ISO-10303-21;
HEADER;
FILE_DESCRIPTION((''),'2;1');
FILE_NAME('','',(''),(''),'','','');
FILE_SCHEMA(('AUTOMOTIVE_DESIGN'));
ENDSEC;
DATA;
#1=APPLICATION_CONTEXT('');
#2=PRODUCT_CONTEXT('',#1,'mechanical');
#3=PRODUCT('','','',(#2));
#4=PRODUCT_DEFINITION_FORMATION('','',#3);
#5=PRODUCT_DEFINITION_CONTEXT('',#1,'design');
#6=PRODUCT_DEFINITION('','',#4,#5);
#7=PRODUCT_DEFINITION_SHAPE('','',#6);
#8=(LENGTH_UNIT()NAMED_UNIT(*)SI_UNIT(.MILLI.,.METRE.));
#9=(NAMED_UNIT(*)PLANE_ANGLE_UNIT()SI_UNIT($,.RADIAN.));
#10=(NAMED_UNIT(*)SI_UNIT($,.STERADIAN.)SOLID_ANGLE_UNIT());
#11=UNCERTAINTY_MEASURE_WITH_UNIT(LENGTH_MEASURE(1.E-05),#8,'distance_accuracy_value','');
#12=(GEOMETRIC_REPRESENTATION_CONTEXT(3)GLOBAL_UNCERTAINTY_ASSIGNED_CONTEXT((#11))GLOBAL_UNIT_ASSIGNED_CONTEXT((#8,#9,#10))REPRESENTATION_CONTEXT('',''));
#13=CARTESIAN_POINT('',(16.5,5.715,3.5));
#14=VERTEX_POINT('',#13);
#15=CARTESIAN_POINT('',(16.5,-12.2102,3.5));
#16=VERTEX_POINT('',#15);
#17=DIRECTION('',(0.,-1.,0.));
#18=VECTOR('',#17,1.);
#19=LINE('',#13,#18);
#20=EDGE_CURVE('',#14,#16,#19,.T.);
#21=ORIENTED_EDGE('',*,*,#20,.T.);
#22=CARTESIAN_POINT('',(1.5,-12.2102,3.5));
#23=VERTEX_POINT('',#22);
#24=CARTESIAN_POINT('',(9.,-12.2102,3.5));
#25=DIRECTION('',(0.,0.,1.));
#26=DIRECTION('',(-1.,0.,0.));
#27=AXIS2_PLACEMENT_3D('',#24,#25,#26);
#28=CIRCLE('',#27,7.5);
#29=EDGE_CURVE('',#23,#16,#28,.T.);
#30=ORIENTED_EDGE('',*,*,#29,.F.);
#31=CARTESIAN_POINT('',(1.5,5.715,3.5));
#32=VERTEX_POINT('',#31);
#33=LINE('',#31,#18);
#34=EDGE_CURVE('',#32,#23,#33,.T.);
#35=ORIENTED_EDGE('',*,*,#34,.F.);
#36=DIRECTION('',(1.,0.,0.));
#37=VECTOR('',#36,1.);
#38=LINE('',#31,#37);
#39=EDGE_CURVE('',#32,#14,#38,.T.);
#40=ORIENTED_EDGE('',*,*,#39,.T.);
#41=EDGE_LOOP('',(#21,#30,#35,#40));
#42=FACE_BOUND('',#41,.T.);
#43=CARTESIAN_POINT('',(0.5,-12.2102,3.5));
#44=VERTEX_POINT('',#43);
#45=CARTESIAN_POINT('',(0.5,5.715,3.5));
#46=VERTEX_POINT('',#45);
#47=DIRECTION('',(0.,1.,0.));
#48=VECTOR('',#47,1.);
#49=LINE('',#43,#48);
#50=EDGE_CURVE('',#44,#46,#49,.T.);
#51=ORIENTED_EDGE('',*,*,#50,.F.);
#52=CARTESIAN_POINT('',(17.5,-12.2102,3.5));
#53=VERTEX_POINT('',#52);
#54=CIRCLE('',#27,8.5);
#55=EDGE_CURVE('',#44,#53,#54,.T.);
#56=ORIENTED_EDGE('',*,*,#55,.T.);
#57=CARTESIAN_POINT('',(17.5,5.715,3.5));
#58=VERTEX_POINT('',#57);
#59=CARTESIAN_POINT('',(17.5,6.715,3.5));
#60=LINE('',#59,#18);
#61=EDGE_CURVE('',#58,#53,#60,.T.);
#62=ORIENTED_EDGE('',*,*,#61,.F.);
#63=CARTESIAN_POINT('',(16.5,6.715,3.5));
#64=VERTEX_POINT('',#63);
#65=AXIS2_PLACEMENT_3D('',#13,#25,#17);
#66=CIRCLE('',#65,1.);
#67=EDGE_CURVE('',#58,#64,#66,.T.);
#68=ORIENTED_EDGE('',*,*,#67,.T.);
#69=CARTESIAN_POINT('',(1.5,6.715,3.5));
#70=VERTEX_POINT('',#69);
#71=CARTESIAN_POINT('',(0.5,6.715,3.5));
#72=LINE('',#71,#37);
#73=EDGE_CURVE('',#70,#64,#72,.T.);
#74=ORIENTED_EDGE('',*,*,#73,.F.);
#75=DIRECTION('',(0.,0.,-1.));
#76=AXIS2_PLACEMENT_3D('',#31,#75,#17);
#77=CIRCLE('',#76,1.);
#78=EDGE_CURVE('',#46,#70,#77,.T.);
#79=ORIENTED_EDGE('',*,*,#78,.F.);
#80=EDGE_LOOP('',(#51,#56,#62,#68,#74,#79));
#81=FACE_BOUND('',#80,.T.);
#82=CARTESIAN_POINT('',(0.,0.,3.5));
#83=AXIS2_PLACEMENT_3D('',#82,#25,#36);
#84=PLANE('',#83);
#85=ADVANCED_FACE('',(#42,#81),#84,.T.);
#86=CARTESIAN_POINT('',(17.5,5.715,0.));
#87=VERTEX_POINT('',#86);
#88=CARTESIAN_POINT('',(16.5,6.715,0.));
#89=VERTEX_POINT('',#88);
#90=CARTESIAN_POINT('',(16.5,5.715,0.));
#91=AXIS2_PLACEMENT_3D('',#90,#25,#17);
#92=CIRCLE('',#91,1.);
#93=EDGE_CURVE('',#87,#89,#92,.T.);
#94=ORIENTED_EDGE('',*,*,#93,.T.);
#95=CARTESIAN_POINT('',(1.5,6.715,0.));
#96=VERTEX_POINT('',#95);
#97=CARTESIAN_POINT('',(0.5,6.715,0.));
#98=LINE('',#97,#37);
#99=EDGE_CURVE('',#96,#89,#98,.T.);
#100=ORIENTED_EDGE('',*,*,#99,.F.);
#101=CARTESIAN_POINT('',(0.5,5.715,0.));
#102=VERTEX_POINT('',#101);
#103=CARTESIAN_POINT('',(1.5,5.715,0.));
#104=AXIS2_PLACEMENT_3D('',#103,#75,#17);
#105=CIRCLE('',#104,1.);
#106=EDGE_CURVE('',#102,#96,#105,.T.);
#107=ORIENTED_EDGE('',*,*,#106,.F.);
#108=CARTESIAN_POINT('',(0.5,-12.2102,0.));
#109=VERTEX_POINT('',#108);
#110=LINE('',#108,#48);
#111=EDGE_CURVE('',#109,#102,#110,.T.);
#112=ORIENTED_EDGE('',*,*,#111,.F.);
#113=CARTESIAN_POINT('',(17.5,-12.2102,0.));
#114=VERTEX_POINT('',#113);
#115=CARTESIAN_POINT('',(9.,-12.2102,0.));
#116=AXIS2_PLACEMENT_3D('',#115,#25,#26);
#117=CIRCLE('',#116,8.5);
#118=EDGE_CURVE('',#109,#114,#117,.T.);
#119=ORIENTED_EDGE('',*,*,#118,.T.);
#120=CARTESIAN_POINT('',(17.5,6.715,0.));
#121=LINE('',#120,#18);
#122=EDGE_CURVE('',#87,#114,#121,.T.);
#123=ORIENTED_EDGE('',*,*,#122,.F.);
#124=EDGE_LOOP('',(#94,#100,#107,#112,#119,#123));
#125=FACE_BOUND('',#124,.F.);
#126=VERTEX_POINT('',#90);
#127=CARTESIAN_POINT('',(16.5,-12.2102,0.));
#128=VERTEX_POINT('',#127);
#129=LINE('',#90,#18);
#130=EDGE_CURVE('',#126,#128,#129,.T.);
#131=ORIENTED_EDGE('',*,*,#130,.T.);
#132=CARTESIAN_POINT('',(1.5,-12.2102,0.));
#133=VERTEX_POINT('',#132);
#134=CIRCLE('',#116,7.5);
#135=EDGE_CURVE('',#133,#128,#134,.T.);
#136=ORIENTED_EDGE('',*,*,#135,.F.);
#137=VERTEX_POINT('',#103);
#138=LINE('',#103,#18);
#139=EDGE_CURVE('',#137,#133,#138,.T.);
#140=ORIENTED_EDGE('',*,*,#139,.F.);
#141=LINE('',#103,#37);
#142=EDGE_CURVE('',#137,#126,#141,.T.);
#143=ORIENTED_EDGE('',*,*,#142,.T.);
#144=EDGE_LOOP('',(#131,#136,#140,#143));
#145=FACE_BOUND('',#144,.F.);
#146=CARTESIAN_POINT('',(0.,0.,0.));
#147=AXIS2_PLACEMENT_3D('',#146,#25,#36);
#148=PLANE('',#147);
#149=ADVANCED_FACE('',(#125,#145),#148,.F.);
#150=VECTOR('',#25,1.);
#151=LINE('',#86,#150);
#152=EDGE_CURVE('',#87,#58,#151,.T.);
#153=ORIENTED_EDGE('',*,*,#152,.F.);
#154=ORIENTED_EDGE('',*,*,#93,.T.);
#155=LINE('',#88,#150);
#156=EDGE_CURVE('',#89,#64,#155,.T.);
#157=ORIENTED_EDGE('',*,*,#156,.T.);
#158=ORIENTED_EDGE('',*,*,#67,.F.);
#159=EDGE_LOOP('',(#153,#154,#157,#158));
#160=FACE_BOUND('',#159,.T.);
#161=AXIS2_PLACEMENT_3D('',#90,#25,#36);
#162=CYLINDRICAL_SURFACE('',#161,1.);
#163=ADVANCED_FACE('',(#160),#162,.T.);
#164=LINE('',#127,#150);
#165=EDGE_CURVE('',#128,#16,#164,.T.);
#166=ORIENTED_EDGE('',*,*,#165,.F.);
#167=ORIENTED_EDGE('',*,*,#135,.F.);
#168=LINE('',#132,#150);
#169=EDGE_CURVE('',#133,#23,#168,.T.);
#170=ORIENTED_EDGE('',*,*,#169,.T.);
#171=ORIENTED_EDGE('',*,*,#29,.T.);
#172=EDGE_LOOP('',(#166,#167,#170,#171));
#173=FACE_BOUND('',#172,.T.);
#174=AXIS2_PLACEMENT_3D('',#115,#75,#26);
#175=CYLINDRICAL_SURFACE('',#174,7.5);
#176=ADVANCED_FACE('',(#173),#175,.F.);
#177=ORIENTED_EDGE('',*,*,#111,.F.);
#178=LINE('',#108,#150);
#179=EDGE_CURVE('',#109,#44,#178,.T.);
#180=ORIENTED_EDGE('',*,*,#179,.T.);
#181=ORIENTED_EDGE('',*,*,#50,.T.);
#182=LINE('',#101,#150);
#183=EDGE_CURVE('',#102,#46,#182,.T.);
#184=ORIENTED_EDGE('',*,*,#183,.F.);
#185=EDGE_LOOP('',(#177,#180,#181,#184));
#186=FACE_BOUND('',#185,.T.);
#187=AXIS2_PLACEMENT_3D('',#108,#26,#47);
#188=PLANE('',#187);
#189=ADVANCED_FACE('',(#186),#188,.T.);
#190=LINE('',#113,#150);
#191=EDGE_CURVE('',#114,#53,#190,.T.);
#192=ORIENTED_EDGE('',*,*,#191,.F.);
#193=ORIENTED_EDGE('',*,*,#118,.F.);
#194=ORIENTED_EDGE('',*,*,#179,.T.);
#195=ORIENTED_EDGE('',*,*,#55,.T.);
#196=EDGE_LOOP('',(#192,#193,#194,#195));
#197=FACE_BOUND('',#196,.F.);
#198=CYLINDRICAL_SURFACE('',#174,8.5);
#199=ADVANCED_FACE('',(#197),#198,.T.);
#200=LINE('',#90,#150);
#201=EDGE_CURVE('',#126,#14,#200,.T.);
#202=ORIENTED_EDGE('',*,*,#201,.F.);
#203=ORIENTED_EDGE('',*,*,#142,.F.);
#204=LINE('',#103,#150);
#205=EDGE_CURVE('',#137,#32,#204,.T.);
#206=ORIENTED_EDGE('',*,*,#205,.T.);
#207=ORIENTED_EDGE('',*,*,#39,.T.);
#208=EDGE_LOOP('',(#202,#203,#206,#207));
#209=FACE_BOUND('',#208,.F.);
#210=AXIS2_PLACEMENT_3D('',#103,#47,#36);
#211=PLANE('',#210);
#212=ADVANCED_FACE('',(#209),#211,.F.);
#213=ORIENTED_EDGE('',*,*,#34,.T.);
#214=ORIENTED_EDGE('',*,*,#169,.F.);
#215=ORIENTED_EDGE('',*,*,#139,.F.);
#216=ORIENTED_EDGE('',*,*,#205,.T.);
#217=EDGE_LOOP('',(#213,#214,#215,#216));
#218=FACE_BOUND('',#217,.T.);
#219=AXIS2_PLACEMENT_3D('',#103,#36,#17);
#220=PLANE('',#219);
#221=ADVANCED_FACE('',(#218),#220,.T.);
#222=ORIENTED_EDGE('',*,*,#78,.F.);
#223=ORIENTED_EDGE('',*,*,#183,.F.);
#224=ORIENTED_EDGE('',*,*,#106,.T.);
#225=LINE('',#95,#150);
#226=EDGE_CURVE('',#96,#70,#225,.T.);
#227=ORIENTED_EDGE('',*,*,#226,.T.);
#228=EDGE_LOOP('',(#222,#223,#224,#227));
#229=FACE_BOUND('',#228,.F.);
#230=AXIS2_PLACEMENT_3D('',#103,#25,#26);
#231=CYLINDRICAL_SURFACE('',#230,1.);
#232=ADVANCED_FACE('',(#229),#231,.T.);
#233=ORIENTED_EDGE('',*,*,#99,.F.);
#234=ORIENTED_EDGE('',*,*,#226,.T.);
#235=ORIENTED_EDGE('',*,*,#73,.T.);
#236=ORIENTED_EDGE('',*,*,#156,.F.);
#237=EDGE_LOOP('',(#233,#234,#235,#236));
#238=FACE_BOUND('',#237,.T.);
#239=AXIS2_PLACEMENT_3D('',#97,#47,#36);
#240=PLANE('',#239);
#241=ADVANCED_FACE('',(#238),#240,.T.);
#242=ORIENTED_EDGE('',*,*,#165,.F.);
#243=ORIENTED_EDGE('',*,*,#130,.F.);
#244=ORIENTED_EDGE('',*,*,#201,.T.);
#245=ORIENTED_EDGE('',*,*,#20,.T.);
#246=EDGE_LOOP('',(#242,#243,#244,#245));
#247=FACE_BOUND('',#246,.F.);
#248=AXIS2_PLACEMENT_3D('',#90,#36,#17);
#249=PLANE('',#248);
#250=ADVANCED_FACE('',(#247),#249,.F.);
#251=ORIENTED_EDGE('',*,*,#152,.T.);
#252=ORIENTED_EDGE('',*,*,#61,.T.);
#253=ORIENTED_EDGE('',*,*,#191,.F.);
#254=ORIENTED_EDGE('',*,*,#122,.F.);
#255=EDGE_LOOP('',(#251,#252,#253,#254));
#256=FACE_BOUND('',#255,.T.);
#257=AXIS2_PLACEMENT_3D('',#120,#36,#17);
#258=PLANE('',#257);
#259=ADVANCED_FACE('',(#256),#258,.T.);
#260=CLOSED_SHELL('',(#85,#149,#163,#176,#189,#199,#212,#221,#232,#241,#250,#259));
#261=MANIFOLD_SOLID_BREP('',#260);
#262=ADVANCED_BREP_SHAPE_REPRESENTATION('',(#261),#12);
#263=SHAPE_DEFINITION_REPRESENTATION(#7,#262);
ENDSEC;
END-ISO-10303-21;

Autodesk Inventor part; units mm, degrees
ref_plane "YZ Plane" through (0, 0, 0) normal (1, 0, 0) x (0, 1, 0)
ref_plane "XZ Plane" through (0, 0, 0) normal (0, 1, 0) x (-1, 0, 0)
ref_plane "XY Plane" through (0, 0, 0) normal (0, 0, 1) x (1, 0, 0)
sketch "Sketch1" plane through (0, 0, 0) normal (0, 0, 1) x (1, 0, 0)
  line L0 (1.5, 0) -> (0, 0) construction
  line L1 (1.5, 5.715) -> (1.5, 0) construction
  line L2 (0, 5.715) -> (1.5, 5.715) construction
  line L3 (0, 5.715) -> (0, 0) construction
  line L4 (1.5, -5.715) -> (0, -5.715) construction
  line L5 (1.5, 0) -> (1.5, -5.715) construction
  line L6 (0, 0) -> (1.5, 0) construction
  line L7 (0, 0) -> (0, -5.715) construction
  line L8 (18, -5.715) -> (16.5, -5.715) construction
  line L9 (18, 0) -> (18, -5.715) construction
  line L10 (16.5, 0) -> (18, 0) construction
  line L11 (16.5, 0) -> (16.5, -5.715) construction
  line L12 (18, 0) -> (16.5, 0) construction
  line L13 (18, 5.715) -> (18, 0) construction
  line L14 (16.5, 5.715) -> (18, 5.715) construction
  line L15 (16.5, 5.715) -> (16.5, 0) construction
  circle A0 centre (9, -12.2102) radius 7.5 construction
  line L16 (1.5, 5.715) -> (1.5, -12.2102)
  line L17 (16.5, 5.715) -> (16.5, -12.2102)
  arc A1 (1.5, -12.2102) -> (16.5, -12.2102) centre (9, -12.2102) ccw
  line L18 (1.5, 5.715) -> (16.5, 5.715)
  line L19 (17.5, 6.715) -> (17.5, -12.2102)
  arc A2 (0.5, -12.2102) -> (17.5, -12.2102) centre (9, -12.2102) ccw
  line L20 (0.5, -12.2102) -> (0.5, 6.715)
  line L21 (0.5, 6.715) -> (17.5, 6.715)
  dimension "d0" = 1
extrude "Extrusion1" add sketch "Sketch1" along normal blind 3.5
fillet "Fillet1" radius 1 2 edges at (0.5, 6.715, 1.75) (17.5, 6.715, 1.75)
properties part number "ZIP TIE GANTRY BEARING"
